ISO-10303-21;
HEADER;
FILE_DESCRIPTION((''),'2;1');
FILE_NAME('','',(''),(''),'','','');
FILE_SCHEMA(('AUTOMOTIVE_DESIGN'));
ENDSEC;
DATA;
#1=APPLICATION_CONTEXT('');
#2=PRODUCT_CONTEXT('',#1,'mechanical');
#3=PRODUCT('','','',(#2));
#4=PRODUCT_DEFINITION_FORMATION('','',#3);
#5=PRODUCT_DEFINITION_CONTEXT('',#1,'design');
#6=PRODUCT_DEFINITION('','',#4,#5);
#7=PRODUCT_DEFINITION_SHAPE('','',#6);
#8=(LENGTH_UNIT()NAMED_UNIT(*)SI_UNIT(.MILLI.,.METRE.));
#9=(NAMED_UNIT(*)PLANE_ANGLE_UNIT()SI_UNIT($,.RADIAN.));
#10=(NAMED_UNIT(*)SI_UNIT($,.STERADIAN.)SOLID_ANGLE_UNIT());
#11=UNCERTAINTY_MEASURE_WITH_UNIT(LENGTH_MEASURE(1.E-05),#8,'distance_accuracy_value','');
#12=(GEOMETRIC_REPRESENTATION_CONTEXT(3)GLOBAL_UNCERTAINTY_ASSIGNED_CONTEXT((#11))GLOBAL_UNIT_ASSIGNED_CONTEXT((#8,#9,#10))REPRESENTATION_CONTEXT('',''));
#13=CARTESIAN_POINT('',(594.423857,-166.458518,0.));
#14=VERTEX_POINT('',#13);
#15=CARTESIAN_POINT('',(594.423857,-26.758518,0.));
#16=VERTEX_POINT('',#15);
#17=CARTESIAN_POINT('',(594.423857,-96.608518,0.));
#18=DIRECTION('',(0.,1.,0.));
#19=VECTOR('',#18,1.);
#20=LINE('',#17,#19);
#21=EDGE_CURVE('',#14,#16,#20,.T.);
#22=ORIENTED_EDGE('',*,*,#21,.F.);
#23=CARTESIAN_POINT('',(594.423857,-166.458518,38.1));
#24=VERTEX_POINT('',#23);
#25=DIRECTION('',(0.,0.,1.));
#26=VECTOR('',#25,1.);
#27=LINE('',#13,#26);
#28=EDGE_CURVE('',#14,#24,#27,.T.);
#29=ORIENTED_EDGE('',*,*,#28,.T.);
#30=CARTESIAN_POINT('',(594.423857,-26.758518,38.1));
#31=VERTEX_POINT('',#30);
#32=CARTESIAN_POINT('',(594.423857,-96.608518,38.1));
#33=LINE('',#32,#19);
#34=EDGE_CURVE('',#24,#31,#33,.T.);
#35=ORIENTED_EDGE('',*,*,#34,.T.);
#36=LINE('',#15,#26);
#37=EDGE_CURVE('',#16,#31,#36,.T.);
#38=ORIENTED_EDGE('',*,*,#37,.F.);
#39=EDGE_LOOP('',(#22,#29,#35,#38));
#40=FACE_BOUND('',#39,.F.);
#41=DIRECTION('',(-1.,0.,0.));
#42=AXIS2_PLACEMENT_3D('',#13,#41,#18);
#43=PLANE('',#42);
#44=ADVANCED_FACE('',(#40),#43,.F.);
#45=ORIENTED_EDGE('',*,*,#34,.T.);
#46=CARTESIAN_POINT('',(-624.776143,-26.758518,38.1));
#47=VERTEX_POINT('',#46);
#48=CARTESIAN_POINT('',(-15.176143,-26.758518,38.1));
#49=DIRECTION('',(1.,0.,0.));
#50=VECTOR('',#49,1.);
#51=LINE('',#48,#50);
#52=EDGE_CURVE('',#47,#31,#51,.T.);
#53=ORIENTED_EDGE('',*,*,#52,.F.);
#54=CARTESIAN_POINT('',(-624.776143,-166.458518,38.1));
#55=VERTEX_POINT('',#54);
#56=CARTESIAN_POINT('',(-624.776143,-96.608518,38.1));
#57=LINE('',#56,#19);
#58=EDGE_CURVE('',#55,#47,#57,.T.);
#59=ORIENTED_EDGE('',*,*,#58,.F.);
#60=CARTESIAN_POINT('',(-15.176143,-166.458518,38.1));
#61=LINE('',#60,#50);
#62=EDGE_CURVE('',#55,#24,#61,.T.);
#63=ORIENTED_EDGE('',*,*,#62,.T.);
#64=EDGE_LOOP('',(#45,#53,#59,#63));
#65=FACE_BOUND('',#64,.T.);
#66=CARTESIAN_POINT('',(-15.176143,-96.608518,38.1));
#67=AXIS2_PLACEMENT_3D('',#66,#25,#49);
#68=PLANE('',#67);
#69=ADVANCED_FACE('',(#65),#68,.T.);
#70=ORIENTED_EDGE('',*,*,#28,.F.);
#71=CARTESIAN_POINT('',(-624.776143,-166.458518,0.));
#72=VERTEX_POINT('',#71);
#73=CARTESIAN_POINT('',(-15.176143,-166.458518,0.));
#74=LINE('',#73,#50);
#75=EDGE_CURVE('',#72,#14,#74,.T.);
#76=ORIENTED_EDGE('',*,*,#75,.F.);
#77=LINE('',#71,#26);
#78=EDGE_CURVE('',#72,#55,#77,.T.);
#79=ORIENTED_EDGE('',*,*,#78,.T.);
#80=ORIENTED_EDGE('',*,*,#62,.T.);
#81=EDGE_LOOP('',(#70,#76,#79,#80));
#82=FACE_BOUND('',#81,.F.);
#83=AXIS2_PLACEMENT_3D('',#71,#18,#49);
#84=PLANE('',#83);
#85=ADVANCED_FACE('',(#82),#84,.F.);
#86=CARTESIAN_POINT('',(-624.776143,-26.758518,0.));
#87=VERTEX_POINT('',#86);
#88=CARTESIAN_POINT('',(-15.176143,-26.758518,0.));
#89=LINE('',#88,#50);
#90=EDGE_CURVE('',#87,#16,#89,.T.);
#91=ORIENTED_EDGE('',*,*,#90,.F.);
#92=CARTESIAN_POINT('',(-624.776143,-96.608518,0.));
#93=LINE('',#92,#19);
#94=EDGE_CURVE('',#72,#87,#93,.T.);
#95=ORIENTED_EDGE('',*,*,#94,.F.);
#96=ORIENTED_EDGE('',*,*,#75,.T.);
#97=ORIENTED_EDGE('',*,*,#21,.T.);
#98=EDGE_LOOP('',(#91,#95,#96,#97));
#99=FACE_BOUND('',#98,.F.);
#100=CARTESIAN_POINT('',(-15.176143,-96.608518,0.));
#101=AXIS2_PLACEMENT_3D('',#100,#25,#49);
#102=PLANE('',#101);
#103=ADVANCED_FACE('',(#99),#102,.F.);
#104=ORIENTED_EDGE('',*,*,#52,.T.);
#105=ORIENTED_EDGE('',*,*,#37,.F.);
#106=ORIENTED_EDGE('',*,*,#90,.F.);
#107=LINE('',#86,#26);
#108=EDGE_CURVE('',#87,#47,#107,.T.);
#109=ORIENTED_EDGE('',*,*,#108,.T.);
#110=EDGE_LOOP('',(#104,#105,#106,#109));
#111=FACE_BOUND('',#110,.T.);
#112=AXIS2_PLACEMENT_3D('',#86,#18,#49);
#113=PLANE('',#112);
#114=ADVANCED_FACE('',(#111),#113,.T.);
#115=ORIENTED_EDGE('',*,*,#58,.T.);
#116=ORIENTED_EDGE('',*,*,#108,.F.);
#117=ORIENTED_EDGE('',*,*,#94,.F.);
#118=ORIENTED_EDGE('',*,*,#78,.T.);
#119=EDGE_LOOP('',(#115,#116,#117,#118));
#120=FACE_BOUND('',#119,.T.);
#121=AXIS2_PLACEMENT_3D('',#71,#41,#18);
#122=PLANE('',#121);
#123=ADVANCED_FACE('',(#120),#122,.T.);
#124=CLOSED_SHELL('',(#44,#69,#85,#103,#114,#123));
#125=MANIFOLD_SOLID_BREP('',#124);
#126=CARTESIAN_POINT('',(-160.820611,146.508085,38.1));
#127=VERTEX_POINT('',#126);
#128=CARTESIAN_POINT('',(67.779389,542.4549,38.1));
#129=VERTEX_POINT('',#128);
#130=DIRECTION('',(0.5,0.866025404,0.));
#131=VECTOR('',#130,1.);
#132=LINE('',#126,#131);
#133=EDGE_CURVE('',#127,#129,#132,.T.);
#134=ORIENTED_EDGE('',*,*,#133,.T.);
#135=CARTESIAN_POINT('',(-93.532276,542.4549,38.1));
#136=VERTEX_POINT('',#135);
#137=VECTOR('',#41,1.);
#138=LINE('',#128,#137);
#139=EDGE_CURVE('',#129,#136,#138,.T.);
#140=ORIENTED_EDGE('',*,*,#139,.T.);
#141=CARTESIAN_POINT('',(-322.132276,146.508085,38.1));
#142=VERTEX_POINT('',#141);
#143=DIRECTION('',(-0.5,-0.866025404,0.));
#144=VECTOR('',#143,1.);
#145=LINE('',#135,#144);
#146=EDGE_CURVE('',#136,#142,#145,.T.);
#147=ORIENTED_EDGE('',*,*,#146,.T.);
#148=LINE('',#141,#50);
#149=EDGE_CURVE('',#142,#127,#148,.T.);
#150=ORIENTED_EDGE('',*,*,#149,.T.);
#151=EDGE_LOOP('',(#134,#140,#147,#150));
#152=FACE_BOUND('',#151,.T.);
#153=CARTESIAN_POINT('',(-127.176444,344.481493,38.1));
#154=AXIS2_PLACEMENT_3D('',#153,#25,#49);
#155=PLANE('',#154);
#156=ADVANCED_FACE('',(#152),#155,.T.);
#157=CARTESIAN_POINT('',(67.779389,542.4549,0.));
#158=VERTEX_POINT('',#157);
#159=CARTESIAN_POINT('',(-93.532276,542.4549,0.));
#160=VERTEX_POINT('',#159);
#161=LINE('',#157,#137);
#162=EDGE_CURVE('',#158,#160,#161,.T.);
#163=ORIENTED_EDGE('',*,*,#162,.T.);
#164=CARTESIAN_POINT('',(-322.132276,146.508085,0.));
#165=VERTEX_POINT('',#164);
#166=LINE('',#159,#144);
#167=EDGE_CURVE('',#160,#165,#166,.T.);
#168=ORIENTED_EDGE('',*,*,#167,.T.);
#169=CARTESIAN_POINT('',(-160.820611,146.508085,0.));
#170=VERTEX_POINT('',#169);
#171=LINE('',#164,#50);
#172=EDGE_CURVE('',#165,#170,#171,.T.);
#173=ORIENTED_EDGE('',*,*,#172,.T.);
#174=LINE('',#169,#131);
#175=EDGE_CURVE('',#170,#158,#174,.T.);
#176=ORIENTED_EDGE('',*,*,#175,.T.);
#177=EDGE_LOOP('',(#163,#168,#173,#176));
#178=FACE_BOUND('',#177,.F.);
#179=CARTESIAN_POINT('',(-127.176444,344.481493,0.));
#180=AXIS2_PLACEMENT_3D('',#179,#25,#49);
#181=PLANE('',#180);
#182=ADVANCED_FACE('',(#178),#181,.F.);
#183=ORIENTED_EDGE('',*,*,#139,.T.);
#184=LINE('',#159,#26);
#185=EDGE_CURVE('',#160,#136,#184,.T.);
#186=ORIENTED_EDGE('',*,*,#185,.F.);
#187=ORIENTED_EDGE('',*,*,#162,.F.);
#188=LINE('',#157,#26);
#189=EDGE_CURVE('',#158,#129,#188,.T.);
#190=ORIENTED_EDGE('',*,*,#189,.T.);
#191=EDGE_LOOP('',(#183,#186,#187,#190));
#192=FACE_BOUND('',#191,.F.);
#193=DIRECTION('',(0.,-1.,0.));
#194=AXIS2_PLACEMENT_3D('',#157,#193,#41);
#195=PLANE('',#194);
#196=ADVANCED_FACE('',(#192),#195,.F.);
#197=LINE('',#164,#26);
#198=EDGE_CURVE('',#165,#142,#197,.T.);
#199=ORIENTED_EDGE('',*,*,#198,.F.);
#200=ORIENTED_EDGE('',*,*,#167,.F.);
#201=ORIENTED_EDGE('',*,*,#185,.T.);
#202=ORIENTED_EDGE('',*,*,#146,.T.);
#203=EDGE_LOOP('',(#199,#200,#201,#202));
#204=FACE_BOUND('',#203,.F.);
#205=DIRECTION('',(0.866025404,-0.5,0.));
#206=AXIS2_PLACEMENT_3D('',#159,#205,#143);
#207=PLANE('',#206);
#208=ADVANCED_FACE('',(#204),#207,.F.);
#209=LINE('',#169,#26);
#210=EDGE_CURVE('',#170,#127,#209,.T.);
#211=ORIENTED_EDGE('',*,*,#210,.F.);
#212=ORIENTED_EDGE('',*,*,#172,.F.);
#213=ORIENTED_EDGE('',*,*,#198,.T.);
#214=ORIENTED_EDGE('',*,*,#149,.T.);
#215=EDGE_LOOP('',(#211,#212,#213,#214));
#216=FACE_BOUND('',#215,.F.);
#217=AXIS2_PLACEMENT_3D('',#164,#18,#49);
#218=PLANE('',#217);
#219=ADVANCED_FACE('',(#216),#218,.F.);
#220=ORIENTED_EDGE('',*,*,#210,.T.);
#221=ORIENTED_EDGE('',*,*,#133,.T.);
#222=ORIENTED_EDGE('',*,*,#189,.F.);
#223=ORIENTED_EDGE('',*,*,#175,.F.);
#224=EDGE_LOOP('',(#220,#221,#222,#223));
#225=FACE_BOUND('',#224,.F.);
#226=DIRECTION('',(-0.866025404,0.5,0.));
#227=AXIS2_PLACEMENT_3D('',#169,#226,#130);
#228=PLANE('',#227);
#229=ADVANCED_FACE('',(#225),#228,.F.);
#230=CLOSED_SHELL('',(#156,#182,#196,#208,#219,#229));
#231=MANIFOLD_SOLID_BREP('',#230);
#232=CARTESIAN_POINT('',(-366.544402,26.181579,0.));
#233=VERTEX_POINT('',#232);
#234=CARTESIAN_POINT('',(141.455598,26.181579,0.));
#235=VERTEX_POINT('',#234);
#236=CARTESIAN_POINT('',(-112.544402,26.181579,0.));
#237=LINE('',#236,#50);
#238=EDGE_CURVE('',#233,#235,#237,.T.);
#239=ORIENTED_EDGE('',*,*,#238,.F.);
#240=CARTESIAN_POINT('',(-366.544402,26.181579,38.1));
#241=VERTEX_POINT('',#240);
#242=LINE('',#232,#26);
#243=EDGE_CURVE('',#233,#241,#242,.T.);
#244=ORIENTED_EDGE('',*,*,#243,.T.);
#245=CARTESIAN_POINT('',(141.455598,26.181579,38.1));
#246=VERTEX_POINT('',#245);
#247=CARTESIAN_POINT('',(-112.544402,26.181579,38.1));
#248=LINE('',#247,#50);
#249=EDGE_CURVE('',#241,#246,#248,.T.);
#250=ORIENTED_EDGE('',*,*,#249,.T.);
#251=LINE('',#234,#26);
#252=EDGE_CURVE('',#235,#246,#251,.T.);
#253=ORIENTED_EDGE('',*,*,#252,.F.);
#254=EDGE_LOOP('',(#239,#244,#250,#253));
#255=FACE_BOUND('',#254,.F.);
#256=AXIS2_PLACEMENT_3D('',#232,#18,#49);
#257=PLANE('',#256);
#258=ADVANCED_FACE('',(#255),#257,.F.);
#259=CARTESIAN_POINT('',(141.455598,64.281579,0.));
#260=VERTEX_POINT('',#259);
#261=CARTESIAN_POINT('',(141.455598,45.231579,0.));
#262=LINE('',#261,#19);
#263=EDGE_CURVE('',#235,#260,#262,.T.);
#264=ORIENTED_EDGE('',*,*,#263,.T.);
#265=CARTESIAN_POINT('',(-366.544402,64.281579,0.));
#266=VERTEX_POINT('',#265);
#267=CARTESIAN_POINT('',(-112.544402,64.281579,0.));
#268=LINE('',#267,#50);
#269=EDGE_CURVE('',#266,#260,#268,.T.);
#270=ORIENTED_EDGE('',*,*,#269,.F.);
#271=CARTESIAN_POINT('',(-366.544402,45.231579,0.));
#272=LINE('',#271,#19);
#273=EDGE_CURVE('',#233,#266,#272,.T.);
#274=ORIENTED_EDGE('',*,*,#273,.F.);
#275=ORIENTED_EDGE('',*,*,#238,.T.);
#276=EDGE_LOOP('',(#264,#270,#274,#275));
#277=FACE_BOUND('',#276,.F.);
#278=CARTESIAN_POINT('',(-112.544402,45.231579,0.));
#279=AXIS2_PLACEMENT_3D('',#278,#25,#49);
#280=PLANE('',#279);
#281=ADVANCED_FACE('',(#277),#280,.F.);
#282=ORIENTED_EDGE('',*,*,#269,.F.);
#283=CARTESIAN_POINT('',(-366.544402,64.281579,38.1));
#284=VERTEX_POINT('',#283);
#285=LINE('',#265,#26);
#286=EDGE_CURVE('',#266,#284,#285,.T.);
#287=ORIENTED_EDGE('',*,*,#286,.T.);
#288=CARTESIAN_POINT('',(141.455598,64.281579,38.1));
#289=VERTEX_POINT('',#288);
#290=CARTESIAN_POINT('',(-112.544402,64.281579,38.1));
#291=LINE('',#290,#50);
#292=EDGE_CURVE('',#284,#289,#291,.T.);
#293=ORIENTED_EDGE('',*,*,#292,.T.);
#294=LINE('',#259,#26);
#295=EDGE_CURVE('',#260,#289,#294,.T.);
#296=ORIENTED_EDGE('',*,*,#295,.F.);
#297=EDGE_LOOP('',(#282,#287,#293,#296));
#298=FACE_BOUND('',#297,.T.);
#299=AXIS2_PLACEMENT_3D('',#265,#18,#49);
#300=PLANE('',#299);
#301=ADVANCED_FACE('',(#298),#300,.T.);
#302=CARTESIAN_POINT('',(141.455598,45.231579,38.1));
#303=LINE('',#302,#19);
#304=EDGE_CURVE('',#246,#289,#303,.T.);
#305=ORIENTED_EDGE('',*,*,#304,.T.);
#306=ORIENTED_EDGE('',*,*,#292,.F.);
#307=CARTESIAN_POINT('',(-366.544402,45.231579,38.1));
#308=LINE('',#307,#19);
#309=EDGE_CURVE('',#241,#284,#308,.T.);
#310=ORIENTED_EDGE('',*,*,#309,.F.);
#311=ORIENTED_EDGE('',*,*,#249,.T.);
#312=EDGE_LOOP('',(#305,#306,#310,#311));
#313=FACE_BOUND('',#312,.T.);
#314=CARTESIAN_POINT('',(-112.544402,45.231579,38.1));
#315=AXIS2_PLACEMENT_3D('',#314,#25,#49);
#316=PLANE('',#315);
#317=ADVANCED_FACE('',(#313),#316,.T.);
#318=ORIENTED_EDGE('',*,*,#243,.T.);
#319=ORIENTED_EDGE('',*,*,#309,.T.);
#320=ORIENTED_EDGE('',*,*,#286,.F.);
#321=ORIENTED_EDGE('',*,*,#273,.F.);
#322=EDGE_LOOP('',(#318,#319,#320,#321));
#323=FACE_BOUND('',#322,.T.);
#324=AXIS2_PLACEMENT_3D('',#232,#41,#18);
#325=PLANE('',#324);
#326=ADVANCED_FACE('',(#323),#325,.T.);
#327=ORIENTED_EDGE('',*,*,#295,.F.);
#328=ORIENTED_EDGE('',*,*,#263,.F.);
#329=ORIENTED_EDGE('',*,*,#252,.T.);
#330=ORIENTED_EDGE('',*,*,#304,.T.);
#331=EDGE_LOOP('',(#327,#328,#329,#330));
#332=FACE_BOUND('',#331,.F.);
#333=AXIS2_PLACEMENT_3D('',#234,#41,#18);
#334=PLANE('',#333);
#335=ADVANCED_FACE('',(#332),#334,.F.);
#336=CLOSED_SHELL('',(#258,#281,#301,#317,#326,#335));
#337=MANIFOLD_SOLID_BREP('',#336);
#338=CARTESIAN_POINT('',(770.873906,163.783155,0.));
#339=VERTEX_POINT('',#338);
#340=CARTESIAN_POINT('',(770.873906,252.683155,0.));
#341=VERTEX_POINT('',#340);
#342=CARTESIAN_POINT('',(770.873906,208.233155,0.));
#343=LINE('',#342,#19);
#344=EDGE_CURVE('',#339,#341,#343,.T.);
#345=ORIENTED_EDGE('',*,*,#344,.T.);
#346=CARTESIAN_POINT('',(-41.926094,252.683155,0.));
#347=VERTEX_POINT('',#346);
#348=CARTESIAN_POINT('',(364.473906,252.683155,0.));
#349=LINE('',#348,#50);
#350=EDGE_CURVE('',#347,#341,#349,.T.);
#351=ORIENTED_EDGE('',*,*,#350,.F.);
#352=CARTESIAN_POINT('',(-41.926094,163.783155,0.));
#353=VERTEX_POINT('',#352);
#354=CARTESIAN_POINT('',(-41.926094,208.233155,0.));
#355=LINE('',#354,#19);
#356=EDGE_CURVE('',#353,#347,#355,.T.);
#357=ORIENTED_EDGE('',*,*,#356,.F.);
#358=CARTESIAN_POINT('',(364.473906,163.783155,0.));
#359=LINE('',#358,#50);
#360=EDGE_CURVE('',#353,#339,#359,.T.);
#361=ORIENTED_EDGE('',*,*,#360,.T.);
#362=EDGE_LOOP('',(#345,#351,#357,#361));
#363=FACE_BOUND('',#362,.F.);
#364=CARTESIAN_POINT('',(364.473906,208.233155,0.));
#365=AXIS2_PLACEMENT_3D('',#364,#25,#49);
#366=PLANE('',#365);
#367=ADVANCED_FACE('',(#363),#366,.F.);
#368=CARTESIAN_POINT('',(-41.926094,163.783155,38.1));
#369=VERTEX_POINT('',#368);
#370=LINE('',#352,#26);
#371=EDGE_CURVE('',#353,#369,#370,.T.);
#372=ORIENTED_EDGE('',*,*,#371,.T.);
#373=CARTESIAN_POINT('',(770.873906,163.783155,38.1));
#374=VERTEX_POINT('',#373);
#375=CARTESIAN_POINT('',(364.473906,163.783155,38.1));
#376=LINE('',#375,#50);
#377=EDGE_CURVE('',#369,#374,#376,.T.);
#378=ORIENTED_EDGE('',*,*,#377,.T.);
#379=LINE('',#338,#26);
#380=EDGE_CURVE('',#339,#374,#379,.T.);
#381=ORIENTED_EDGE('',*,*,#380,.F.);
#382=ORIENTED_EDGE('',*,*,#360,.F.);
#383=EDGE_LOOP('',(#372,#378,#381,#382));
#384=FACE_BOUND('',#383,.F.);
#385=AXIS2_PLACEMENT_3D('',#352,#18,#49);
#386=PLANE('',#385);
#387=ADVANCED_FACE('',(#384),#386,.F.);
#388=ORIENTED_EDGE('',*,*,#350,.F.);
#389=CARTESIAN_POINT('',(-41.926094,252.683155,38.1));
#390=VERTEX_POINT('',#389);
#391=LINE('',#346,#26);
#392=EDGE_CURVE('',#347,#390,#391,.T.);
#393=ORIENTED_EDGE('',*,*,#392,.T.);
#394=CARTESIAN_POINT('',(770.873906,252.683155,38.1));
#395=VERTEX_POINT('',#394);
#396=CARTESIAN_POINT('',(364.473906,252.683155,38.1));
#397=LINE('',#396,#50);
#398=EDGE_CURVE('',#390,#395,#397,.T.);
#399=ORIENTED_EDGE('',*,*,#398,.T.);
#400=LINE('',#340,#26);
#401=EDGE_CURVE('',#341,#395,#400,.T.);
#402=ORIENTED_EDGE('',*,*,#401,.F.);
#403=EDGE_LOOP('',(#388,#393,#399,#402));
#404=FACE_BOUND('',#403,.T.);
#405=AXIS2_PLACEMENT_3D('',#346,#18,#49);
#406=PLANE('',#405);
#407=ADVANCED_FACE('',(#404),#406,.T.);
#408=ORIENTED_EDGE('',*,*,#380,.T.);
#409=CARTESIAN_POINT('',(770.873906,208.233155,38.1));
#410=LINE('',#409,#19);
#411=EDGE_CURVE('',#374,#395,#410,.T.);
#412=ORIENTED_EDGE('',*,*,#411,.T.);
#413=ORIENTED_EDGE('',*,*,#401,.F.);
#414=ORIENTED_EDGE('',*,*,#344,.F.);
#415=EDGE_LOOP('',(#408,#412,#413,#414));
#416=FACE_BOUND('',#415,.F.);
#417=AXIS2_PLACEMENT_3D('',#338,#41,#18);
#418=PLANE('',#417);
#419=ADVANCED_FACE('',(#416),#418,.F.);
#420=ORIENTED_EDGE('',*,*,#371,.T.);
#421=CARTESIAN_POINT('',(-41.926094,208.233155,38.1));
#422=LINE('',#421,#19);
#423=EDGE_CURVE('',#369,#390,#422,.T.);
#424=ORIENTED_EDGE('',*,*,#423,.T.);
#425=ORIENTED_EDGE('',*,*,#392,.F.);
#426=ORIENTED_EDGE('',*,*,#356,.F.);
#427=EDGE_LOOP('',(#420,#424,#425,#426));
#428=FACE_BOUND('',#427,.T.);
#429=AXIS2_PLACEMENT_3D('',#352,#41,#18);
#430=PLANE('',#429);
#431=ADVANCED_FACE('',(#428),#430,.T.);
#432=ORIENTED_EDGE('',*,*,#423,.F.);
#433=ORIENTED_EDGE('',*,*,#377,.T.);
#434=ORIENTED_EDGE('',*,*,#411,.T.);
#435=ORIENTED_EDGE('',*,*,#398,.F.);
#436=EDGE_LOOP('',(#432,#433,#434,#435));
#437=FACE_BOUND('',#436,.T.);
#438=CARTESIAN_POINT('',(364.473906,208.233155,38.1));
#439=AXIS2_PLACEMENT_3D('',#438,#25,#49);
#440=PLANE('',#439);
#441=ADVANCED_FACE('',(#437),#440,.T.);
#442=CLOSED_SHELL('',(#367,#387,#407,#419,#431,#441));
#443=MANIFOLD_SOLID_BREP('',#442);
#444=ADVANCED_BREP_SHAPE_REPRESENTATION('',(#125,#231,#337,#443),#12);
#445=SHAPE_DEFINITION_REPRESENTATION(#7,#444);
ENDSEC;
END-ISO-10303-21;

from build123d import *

# Parameters (mm, degrees)
F0_W     = 1219.2
F0_H     = 139.7
F1_DEPTH = 38.1
F2_W     = 508
F2_H     = 38.1
F3_DEPTH = 38.1
F5_DEPTH = 38.1
F6_W     = 812.8
F6_H     = 88.9
F7_DEPTH = 38.1


with BuildPart() as f1:
    # F0 (on Top) → F1 (new body)
    with BuildSketch(Plane.XY):
        with Locations((-15.176143, -96.608518)):
            Rectangle(F0_W, F0_H)
    extrude(amount=F1_DEPTH)


with BuildPart() as f3:
    # F2 (on Top) → F3 (new body)
    with BuildSketch(Plane.XY):
        with Locations((-112.544402, 45.231579)):
            Rectangle(F2_W, F2_H)
    extrude(amount=F3_DEPTH)


with BuildPart() as f5:
    # F4 (on Top) → F5 (new body)
    with BuildSketch(Plane.XY):
        Polygon((-93.532276, 542.4549), (-322.132276, 146.508085), (-160.820611, 146.508085), (67.779389, 542.4549), align=None)
    extrude(amount=F5_DEPTH)


with BuildPart() as f7:
    # F6 (on Top) → F7 (new body)
    with BuildSketch(Plane.XY):
        with Locations((364.473906, 208.233155)):
            Rectangle(F6_W, F6_H)
    extrude(amount=F7_DEPTH)


solid = Compound([f1.part, f3.part, f5.part, f7.part])
